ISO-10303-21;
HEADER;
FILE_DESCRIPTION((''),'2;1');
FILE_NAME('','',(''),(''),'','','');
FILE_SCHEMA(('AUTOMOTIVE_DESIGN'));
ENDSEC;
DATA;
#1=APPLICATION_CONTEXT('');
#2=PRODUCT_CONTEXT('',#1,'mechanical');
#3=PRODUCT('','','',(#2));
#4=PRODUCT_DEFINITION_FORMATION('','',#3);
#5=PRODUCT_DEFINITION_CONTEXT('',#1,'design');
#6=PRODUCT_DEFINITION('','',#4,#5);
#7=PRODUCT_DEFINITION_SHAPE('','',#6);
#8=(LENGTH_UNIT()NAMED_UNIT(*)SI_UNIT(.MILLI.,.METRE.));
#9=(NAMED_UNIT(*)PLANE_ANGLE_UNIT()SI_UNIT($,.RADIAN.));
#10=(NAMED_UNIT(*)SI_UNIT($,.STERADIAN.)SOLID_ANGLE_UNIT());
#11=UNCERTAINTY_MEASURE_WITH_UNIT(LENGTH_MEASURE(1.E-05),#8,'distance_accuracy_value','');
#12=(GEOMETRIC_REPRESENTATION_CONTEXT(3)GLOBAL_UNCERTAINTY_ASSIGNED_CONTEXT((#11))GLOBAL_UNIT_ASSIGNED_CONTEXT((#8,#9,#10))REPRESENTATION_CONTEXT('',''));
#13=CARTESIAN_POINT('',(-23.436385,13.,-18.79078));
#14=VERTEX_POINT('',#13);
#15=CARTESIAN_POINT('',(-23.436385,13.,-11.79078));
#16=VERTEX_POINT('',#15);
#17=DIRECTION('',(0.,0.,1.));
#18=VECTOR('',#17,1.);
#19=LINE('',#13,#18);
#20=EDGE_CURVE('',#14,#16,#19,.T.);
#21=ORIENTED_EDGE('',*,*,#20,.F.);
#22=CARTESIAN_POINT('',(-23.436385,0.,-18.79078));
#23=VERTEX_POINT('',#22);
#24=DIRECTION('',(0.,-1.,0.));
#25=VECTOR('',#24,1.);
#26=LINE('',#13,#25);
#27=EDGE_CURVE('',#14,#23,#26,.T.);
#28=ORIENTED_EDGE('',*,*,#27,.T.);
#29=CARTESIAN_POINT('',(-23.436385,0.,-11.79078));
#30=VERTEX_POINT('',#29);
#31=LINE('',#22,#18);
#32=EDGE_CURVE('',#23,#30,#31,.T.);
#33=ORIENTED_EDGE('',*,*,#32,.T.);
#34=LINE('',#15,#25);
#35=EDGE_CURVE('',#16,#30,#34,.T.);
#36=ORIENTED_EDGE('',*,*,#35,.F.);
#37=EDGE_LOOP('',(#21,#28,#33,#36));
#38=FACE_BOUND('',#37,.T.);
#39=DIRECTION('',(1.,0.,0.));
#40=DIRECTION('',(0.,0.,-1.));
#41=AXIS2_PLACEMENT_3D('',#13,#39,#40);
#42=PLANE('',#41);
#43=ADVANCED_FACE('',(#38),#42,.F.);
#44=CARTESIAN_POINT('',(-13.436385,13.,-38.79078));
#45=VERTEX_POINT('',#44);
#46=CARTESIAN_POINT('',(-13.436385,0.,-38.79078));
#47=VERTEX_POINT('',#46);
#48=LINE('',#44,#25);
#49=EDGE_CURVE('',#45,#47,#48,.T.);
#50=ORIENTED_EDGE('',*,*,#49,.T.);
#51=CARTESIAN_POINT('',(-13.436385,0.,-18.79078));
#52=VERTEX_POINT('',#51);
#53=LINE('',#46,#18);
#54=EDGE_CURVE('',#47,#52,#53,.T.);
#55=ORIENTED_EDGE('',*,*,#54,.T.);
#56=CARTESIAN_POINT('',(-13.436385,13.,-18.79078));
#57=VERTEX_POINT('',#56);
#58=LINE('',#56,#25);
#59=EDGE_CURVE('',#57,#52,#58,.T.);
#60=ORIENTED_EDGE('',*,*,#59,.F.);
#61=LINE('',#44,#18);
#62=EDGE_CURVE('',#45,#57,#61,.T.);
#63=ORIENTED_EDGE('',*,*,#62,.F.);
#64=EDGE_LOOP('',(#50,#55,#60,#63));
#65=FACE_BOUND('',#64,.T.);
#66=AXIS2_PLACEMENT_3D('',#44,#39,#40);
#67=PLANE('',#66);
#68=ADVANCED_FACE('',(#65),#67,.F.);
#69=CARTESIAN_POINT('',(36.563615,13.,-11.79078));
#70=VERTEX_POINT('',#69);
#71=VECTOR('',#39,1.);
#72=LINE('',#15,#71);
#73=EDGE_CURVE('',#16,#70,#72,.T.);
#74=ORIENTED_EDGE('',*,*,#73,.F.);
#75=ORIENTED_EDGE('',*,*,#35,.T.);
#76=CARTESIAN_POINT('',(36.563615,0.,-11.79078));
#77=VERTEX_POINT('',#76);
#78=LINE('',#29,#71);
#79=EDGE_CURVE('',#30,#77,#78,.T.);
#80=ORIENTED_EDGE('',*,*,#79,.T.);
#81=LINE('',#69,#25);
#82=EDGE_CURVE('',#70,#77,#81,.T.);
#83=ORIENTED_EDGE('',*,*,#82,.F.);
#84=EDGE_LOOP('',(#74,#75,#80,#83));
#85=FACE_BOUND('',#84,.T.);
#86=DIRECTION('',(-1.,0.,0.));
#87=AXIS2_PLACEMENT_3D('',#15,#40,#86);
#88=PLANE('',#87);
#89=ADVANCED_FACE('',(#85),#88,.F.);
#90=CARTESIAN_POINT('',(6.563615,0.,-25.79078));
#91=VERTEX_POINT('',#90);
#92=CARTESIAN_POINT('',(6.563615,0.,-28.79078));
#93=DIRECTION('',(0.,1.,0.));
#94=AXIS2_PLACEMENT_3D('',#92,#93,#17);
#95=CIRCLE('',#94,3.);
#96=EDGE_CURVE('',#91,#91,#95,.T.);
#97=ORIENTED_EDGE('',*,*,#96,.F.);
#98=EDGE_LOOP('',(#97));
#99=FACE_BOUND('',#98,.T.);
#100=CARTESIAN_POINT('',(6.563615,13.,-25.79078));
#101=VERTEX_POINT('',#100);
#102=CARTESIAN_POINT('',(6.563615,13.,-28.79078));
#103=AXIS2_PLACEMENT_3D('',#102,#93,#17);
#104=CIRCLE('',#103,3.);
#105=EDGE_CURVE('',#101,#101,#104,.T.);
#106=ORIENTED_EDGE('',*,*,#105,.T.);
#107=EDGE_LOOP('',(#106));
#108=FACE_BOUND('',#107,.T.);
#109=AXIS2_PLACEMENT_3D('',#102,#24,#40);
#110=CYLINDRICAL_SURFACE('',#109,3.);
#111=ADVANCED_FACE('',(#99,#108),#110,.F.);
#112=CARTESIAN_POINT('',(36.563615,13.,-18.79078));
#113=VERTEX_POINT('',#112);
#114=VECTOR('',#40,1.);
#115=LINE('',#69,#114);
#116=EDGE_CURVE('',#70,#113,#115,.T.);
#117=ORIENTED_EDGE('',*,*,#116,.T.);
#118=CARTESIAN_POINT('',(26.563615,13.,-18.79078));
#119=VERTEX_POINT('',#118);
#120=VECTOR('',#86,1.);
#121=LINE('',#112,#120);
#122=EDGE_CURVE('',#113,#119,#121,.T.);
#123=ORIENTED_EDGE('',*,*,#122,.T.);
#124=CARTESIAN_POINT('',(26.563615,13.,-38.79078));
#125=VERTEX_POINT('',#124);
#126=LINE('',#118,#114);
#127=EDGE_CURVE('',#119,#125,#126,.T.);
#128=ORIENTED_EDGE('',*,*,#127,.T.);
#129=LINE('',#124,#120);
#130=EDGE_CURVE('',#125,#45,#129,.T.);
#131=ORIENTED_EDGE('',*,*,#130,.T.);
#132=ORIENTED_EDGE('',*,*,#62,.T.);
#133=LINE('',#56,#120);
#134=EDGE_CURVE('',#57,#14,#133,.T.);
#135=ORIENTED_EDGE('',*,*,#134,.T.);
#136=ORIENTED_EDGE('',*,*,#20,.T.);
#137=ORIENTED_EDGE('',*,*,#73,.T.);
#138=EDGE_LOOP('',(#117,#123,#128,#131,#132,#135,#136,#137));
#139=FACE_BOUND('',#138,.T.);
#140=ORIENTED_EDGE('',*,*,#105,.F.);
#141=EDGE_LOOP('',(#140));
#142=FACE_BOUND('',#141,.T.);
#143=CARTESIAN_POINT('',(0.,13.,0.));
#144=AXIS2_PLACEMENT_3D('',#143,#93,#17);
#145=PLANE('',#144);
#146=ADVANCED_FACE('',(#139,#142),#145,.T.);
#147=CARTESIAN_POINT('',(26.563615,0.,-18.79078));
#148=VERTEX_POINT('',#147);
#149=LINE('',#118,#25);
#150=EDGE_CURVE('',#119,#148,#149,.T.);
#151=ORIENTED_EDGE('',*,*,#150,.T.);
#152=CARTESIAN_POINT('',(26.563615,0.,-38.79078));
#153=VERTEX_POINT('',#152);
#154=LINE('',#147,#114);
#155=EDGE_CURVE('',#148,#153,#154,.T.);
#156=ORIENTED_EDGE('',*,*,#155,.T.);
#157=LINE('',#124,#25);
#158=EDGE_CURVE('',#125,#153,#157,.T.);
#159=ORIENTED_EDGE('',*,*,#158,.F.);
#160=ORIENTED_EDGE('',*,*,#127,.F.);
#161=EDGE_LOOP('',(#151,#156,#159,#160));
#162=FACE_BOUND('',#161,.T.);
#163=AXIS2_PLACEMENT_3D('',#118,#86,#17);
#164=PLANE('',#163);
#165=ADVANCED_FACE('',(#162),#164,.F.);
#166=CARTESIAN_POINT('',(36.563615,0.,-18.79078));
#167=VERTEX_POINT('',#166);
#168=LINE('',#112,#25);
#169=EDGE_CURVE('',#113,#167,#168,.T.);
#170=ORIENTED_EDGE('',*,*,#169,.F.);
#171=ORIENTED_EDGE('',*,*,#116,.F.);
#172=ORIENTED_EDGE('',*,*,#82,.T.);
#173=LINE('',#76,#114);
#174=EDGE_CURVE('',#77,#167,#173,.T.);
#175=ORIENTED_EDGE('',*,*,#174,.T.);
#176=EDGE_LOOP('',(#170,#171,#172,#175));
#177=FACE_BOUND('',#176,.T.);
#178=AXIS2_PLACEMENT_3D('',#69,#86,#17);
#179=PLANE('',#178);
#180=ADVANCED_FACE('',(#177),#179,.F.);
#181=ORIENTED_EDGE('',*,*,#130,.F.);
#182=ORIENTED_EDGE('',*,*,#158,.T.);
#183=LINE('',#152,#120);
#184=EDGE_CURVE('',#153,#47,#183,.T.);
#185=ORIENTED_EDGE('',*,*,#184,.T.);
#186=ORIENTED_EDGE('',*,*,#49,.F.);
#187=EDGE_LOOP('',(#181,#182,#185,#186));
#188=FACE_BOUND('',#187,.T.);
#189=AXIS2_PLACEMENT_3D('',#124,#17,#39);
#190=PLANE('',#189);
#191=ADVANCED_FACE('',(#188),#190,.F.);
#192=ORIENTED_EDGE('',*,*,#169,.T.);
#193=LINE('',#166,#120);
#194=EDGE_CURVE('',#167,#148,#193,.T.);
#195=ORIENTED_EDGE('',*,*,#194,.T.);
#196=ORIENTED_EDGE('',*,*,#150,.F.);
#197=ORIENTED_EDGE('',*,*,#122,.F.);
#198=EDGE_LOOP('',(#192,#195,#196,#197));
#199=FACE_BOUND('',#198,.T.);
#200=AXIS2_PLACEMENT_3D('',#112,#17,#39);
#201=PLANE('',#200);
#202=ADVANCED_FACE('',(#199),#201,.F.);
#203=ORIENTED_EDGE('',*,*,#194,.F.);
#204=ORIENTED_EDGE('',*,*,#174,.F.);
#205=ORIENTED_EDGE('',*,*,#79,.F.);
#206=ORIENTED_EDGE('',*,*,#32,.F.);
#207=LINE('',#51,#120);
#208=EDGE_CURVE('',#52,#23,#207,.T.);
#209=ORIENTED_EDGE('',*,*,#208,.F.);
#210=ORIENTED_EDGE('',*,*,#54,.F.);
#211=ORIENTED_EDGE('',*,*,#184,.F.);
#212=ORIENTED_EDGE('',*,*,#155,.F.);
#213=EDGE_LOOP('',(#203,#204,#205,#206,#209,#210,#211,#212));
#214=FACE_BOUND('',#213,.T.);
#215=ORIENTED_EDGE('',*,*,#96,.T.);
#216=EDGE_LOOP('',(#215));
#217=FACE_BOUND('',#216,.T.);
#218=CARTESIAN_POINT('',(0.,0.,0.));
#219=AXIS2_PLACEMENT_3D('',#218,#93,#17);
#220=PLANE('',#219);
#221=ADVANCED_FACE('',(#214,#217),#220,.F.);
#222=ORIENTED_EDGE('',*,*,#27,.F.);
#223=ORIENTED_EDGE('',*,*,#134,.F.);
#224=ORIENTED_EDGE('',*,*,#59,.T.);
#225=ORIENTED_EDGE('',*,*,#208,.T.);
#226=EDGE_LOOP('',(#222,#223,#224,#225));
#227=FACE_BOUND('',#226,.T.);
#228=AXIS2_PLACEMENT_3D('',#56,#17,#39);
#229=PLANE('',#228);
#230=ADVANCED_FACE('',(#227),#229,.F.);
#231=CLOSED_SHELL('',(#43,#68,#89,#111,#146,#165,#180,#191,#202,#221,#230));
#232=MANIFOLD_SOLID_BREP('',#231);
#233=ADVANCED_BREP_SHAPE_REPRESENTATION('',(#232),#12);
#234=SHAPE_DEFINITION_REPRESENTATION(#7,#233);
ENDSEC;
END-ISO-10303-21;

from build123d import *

# Parameters (mm, degrees)
SKETCH1_R           = 3
BOSS_EXTRUDE1_DEPTH = 13


with BuildPart() as part:
    # Sketch1 → Boss-Extrude1 (new body)
    with BuildSketch(Plane(origin=(0, 0, 0), x_dir=(1, 0, 0), z_dir=(0, 1, 0))):
        Polygon((-23.436385423, 11.790780002), (36.563614577, 11.790780002), (36.563614577, 18.790780002), (26.563614577, 18.790780002), (26.563614577, 38.790780002), (-13.436385423, 38.790780002), (-13.436385423, 18.790780002), (-23.436385423, 18.790780002), align=None)
        with Locations((6.563614577, 28.790780002)):
            Circle(SKETCH1_R, mode=Mode.SUBTRACT)
    extrude(amount=BOSS_EXTRUDE1_DEPTH)


solid = part.part
